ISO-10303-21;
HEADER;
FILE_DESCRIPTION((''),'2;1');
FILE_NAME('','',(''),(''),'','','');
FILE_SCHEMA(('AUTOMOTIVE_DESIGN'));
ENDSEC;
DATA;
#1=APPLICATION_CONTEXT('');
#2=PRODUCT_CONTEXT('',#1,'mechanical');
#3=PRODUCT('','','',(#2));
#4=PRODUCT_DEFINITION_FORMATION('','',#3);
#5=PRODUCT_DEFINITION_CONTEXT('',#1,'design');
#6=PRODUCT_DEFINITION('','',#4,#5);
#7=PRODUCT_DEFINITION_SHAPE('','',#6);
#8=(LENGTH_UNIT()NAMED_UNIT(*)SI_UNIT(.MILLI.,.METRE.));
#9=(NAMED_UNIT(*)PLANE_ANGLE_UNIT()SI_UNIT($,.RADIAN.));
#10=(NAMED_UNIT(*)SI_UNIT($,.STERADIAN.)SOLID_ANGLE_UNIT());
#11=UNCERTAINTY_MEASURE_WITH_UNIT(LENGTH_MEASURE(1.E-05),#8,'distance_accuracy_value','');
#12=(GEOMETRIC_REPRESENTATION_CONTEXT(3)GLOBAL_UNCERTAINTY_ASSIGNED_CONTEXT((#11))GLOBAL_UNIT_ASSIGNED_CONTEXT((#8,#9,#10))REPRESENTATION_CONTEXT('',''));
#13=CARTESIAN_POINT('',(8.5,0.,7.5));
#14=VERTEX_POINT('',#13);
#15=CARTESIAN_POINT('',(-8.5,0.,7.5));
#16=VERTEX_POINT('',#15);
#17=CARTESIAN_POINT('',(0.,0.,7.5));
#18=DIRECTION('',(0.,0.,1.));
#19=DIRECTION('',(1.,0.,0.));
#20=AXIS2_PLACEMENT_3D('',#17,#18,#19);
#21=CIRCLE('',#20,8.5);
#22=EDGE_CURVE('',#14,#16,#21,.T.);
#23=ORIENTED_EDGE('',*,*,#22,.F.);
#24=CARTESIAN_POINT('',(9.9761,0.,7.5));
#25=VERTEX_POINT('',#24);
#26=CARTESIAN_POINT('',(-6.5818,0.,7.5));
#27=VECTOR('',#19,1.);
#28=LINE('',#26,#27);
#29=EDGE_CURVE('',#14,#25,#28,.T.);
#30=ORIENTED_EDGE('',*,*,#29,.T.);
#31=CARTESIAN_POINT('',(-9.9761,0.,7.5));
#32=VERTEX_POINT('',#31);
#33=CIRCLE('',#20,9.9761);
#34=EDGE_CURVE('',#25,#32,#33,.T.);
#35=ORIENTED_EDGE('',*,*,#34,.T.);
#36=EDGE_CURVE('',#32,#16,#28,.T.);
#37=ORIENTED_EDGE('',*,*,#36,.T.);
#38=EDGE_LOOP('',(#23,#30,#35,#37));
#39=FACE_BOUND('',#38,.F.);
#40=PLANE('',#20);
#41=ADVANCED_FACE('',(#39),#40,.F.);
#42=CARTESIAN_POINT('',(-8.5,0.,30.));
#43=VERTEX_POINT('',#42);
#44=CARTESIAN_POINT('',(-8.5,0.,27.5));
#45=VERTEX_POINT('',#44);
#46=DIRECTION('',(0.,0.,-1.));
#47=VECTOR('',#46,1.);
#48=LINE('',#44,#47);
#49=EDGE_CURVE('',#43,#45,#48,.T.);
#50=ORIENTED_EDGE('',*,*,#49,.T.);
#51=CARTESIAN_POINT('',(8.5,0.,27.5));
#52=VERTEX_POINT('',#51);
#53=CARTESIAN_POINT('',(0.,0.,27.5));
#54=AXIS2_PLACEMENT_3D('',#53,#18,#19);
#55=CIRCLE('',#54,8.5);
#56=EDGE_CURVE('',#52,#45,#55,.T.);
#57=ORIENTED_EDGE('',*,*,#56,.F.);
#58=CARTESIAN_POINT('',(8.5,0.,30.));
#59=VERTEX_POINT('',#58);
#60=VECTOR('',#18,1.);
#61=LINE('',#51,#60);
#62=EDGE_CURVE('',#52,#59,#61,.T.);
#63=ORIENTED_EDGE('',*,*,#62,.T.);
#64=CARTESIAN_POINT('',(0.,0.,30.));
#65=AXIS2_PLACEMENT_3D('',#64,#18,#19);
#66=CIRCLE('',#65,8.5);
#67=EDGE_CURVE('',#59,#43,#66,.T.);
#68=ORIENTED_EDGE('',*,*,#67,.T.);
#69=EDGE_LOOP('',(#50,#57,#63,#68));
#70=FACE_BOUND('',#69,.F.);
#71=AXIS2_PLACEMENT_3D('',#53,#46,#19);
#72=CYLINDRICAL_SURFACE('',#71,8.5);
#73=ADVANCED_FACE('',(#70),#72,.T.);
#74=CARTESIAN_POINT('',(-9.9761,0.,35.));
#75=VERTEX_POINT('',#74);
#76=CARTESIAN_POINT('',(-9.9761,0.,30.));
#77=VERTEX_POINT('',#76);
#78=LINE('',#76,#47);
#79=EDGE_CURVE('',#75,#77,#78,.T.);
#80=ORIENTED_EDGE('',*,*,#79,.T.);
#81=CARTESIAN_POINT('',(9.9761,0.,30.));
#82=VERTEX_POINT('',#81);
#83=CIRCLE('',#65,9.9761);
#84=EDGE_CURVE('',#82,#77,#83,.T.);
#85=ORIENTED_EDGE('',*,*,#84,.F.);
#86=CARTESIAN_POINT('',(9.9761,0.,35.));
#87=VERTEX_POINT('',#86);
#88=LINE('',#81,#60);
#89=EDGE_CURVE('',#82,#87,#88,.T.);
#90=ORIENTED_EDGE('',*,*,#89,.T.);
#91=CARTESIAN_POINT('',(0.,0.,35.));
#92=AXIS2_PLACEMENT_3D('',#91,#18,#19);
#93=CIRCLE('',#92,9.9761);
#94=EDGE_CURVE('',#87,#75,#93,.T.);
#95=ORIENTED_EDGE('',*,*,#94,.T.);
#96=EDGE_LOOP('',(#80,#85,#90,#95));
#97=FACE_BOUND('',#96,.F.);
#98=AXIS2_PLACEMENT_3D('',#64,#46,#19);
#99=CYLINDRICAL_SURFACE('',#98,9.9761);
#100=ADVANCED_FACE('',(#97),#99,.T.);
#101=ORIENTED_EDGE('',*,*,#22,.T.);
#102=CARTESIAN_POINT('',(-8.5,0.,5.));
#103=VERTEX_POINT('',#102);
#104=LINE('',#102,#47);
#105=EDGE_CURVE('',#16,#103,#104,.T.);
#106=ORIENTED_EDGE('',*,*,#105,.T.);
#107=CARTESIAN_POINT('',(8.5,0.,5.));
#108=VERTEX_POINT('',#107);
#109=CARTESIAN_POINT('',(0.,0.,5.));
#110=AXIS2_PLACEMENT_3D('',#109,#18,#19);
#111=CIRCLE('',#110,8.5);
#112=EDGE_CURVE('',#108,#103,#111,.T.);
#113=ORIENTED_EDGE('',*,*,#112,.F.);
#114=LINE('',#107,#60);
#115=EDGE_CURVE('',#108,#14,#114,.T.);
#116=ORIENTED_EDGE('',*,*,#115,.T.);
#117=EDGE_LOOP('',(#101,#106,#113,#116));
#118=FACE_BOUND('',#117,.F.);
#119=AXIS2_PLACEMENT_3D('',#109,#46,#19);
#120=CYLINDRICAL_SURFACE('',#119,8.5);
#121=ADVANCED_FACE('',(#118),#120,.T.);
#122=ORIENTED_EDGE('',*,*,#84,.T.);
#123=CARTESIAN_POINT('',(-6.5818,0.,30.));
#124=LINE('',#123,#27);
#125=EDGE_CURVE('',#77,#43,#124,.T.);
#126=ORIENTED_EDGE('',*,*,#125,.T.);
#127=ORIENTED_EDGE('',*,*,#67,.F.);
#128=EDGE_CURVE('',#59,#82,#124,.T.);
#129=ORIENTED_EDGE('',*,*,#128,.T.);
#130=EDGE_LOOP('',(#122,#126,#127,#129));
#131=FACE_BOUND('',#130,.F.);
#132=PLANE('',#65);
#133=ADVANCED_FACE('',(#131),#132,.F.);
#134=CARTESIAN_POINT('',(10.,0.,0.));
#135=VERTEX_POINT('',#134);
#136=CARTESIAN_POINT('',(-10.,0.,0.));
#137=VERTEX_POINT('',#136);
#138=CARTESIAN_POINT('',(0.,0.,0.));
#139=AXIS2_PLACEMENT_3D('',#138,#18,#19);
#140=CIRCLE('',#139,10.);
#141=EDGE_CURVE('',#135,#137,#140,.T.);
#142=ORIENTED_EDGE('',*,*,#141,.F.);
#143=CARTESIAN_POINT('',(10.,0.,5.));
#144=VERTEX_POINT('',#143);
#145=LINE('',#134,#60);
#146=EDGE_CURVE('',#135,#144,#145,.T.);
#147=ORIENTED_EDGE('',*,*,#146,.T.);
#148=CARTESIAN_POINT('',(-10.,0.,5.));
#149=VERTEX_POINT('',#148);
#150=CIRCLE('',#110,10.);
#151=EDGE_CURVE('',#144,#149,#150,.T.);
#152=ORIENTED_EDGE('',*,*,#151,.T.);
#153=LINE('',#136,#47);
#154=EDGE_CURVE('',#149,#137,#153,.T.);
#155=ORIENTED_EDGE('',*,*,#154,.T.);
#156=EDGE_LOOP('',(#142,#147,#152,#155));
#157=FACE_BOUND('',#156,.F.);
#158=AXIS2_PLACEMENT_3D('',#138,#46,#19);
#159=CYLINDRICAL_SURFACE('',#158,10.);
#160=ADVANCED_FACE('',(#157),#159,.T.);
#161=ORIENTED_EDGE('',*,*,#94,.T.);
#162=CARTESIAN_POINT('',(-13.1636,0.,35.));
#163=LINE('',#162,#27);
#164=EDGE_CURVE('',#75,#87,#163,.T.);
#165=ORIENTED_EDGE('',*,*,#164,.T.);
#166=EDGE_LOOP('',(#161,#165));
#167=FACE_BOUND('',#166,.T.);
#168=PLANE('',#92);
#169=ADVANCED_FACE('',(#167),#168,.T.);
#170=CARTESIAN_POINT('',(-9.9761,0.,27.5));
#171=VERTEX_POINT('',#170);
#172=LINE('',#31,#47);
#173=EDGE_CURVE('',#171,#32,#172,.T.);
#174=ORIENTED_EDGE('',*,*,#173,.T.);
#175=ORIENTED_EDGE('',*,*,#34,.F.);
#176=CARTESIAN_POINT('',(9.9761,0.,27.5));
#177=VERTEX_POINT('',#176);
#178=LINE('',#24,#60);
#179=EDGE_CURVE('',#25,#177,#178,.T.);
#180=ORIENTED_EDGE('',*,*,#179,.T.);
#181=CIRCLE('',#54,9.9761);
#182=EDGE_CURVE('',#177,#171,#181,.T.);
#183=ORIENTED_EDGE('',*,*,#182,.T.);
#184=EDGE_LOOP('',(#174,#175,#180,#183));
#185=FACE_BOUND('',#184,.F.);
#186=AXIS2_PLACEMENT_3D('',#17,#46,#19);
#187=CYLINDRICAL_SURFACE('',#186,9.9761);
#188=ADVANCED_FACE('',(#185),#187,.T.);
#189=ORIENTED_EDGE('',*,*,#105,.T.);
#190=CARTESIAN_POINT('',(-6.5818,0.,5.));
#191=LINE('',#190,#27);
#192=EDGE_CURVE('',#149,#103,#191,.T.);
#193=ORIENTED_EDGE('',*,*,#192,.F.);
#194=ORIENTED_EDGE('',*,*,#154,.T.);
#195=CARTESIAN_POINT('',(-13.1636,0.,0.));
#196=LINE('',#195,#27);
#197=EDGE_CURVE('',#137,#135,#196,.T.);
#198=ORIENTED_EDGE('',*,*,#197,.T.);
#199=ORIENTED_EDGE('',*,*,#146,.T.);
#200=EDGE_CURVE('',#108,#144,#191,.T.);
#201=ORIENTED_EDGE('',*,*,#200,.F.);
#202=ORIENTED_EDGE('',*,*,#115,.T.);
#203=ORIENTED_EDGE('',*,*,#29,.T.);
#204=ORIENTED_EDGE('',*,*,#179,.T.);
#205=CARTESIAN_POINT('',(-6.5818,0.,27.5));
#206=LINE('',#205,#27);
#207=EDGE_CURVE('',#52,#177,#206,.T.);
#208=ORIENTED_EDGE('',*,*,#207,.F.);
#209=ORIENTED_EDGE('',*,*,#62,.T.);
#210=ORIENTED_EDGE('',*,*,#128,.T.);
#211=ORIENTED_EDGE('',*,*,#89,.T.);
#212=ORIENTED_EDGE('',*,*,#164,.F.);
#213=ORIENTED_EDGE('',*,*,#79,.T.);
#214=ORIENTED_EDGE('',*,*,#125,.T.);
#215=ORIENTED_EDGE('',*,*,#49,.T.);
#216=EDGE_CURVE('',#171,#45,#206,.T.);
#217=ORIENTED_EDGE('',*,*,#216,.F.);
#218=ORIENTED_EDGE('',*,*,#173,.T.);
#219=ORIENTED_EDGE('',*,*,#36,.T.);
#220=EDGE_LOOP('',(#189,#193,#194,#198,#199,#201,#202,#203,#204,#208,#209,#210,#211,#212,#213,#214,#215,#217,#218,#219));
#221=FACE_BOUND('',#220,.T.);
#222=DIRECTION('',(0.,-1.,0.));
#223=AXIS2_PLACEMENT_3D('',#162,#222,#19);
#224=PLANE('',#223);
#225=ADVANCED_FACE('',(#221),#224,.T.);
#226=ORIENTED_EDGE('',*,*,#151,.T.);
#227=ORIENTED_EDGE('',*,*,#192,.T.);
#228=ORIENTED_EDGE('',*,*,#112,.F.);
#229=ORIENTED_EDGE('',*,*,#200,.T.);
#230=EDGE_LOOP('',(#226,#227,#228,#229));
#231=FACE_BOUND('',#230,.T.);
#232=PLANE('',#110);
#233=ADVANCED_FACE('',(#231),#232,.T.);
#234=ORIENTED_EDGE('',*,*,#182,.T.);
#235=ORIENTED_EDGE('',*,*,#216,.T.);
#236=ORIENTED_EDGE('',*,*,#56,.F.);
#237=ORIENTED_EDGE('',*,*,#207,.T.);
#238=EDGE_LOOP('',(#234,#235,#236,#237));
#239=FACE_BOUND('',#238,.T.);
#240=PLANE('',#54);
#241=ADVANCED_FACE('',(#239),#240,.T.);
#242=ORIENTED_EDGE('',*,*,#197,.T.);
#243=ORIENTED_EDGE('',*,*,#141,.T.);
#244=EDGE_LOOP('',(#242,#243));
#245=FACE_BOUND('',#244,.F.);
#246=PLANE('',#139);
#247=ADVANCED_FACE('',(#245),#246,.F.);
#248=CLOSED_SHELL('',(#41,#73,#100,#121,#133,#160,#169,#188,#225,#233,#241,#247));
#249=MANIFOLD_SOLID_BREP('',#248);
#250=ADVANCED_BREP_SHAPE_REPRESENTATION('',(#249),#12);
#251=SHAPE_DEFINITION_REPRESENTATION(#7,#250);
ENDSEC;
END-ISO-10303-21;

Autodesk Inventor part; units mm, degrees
ref_plane "YZ Plane" through (0, 0, 0) normal (1, 0, 0) x (0, 1, 0)
ref_plane "XZ Plane" through (0, 0, 0) normal (0, 1, 0) x (-1, 0, 0)
ref_plane "XY Plane" through (0, 0, 0) normal (0, 0, 1) x (1, 0, 0)
sketch "Sketch1" plane through (0, 0, 0) normal (0, 0, 1) x (1, 0, 0)
  circle A0 centre (0, 0) radius 10
  dimension "d0" = 20
extrude "Extrusion1" add sketch "Sketch1" along normal blind 5
sketch "Sketch2" plane through (0, 0, 5) normal (0, 0, 1) x (1, 0, 0)
  circle A0 centre (0, 0) radius 8.5
  dimension "d3" = 17
extrude "Extrusion2" add sketch "Sketch2" along normal blind 2.5
sketch "Sketch3" plane through (0, 0, 7.5) normal (0, 0, 1) x (1, 0, 0)
  circle A0 centre (0, 0) radius 9.9761
extrude "Extrusion3" add sketch "Sketch3" along normal blind 20
sketch "Sketch4" plane through (0, 0, 27.5) normal (0, 0, 1) x (1, 0, 0)
  circle A0 centre (0, 0) radius 8.5
extrude "Extrusion4" add sketch "Sketch4" along normal blind 2.5
sketch "Sketch5" plane through (0, 0, 30) normal (0, 0, 1) x (1, 0, 0)
  circle A0 centre (0, 0) radius 9.9761
extrude "Extrusion5" add sketch "Sketch5" along normal blind 5
sketch "Sketch6" plane through (0, 0, 35) normal (0, 0, 1) x (1, 0, 0)
  line L0 (-13.1636, 0) -> (14.8956, 0)
  line L1 (14.8956, 0) -> (14.8956, -10.45)
  line L2 (14.8956, -10.45) -> (-13.1636, -10.45)
  line L3 (-13.1636, -10.45) -> (-13.1636, 0)
  point P0 (0, 0)
extrude "Extrusion6" cut sketch "Sketch6" against normal blind 35
properties part number "Top Pully"
